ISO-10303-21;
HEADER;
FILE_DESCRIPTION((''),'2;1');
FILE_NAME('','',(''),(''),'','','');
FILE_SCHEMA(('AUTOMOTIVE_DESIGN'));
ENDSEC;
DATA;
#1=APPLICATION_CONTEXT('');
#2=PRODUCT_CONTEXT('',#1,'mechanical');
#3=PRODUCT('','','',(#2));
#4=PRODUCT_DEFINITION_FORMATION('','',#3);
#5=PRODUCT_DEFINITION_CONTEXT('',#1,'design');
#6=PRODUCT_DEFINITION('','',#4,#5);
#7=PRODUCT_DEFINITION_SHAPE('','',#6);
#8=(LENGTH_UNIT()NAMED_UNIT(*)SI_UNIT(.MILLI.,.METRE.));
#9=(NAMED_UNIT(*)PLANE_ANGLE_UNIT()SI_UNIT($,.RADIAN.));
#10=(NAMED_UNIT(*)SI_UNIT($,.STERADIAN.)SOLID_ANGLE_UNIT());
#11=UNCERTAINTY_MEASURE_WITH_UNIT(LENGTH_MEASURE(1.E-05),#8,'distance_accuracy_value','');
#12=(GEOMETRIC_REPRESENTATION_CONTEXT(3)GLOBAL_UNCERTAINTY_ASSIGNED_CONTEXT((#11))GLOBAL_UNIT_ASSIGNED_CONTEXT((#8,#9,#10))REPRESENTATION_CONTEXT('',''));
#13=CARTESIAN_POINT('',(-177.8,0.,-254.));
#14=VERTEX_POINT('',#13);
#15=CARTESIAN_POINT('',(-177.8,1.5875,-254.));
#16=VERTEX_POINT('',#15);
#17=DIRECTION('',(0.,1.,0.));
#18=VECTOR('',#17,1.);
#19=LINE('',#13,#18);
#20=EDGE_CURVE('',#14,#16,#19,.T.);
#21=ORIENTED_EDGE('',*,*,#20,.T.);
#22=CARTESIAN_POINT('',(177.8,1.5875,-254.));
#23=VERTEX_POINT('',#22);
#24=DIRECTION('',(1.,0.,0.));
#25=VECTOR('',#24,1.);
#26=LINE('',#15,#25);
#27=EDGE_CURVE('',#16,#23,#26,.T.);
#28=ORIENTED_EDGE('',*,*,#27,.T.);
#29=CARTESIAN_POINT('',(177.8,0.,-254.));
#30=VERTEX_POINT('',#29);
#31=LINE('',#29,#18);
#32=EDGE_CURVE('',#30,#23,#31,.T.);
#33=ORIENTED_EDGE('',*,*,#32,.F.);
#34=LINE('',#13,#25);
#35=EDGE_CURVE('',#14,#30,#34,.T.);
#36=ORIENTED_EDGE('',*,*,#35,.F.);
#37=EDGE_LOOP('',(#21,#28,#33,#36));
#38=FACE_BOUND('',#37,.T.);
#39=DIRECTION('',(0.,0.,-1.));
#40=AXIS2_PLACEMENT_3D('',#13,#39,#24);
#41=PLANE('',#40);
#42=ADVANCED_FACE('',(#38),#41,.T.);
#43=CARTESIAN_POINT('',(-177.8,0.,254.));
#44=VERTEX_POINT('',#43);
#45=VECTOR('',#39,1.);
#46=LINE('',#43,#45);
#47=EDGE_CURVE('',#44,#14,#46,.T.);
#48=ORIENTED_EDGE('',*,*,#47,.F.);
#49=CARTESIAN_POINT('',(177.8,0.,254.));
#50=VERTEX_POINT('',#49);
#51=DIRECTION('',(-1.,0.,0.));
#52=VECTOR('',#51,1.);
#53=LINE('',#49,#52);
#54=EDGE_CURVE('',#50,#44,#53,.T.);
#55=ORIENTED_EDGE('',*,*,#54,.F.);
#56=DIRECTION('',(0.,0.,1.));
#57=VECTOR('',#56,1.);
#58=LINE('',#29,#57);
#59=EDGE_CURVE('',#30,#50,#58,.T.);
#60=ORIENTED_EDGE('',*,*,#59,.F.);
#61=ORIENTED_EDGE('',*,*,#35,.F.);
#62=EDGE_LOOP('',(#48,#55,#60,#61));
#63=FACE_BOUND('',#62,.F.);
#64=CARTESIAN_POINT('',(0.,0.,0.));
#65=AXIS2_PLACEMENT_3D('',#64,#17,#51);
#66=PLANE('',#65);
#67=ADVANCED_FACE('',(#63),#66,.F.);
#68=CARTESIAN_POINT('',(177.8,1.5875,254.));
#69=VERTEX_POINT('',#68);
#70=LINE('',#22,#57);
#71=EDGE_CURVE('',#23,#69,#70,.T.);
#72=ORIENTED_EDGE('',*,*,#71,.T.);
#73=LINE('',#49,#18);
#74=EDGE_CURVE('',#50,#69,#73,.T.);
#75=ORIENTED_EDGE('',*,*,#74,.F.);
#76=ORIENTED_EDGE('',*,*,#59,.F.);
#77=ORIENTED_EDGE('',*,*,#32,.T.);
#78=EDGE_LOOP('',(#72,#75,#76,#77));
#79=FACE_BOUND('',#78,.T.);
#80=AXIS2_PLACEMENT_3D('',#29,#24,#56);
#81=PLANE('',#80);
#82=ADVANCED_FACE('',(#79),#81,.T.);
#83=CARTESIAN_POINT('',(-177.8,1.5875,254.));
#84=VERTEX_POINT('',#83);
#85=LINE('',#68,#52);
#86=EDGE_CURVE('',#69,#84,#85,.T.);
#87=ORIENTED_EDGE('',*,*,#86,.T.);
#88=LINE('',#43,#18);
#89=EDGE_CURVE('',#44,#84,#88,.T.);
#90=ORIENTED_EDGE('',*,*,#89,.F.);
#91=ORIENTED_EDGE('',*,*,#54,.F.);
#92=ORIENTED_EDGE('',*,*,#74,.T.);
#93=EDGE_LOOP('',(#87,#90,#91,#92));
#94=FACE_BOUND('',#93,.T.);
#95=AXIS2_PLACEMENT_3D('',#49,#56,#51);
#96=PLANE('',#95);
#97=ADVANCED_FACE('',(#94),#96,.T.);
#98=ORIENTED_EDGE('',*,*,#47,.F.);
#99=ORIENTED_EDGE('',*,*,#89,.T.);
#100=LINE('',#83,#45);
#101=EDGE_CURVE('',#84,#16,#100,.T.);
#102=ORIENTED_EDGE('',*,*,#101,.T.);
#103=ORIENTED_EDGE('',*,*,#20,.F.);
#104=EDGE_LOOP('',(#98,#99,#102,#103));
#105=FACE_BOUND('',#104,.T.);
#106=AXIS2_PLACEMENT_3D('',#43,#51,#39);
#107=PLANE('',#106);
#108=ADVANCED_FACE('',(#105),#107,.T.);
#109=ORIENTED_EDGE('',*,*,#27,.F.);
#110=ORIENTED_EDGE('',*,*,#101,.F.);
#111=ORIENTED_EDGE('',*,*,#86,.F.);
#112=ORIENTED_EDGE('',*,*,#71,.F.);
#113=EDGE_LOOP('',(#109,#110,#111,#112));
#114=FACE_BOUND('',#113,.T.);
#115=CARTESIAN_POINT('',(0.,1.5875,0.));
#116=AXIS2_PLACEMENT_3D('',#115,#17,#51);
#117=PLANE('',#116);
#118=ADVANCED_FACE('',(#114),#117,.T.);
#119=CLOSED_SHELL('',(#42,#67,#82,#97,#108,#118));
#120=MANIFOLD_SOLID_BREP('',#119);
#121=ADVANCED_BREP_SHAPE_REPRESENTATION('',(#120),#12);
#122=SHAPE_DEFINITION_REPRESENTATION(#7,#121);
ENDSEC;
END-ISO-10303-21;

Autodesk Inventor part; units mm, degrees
ref_plane "YZ Plane" through (0, 0, 0) normal (1, 0, 0) x (0, 1, 0)
ref_plane "XZ Plane" through (0, 0, 0) normal (0, 1, 0) x (-1, 0, 0)
ref_plane "XY Plane" through (0, 0, 0) normal (0, 0, 1) x (1, 0, 0)
sketch "Sketch1" plane through (0, 0, 0) normal (0, 1, 0) x (-1, 0, 0)
  line L0 (0, -355.6) -> (0, 355.6) construction
  line L1 (248.92, 0) -> (-248.92, 0) construction
  line L2 (177.8, -254) -> (-177.8, -254)
  line L3 (-177.8, -254) -> (-177.8, 254)
  line L4 (-177.8, 254) -> (177.8, 254)
  line L5 (177.8, 254) -> (177.8, -254)
  point P0 (0, 0)
  point P1 (177.8, 0)
  point P2 (0, -254)
  dimension "d0" = 355.6
  dimension "d1" = 508
extrude "Extrusion1" add sketch "Sketch1" along normal blind 1.5875
properties part number "Baseplate" material "ABS Plastic"
